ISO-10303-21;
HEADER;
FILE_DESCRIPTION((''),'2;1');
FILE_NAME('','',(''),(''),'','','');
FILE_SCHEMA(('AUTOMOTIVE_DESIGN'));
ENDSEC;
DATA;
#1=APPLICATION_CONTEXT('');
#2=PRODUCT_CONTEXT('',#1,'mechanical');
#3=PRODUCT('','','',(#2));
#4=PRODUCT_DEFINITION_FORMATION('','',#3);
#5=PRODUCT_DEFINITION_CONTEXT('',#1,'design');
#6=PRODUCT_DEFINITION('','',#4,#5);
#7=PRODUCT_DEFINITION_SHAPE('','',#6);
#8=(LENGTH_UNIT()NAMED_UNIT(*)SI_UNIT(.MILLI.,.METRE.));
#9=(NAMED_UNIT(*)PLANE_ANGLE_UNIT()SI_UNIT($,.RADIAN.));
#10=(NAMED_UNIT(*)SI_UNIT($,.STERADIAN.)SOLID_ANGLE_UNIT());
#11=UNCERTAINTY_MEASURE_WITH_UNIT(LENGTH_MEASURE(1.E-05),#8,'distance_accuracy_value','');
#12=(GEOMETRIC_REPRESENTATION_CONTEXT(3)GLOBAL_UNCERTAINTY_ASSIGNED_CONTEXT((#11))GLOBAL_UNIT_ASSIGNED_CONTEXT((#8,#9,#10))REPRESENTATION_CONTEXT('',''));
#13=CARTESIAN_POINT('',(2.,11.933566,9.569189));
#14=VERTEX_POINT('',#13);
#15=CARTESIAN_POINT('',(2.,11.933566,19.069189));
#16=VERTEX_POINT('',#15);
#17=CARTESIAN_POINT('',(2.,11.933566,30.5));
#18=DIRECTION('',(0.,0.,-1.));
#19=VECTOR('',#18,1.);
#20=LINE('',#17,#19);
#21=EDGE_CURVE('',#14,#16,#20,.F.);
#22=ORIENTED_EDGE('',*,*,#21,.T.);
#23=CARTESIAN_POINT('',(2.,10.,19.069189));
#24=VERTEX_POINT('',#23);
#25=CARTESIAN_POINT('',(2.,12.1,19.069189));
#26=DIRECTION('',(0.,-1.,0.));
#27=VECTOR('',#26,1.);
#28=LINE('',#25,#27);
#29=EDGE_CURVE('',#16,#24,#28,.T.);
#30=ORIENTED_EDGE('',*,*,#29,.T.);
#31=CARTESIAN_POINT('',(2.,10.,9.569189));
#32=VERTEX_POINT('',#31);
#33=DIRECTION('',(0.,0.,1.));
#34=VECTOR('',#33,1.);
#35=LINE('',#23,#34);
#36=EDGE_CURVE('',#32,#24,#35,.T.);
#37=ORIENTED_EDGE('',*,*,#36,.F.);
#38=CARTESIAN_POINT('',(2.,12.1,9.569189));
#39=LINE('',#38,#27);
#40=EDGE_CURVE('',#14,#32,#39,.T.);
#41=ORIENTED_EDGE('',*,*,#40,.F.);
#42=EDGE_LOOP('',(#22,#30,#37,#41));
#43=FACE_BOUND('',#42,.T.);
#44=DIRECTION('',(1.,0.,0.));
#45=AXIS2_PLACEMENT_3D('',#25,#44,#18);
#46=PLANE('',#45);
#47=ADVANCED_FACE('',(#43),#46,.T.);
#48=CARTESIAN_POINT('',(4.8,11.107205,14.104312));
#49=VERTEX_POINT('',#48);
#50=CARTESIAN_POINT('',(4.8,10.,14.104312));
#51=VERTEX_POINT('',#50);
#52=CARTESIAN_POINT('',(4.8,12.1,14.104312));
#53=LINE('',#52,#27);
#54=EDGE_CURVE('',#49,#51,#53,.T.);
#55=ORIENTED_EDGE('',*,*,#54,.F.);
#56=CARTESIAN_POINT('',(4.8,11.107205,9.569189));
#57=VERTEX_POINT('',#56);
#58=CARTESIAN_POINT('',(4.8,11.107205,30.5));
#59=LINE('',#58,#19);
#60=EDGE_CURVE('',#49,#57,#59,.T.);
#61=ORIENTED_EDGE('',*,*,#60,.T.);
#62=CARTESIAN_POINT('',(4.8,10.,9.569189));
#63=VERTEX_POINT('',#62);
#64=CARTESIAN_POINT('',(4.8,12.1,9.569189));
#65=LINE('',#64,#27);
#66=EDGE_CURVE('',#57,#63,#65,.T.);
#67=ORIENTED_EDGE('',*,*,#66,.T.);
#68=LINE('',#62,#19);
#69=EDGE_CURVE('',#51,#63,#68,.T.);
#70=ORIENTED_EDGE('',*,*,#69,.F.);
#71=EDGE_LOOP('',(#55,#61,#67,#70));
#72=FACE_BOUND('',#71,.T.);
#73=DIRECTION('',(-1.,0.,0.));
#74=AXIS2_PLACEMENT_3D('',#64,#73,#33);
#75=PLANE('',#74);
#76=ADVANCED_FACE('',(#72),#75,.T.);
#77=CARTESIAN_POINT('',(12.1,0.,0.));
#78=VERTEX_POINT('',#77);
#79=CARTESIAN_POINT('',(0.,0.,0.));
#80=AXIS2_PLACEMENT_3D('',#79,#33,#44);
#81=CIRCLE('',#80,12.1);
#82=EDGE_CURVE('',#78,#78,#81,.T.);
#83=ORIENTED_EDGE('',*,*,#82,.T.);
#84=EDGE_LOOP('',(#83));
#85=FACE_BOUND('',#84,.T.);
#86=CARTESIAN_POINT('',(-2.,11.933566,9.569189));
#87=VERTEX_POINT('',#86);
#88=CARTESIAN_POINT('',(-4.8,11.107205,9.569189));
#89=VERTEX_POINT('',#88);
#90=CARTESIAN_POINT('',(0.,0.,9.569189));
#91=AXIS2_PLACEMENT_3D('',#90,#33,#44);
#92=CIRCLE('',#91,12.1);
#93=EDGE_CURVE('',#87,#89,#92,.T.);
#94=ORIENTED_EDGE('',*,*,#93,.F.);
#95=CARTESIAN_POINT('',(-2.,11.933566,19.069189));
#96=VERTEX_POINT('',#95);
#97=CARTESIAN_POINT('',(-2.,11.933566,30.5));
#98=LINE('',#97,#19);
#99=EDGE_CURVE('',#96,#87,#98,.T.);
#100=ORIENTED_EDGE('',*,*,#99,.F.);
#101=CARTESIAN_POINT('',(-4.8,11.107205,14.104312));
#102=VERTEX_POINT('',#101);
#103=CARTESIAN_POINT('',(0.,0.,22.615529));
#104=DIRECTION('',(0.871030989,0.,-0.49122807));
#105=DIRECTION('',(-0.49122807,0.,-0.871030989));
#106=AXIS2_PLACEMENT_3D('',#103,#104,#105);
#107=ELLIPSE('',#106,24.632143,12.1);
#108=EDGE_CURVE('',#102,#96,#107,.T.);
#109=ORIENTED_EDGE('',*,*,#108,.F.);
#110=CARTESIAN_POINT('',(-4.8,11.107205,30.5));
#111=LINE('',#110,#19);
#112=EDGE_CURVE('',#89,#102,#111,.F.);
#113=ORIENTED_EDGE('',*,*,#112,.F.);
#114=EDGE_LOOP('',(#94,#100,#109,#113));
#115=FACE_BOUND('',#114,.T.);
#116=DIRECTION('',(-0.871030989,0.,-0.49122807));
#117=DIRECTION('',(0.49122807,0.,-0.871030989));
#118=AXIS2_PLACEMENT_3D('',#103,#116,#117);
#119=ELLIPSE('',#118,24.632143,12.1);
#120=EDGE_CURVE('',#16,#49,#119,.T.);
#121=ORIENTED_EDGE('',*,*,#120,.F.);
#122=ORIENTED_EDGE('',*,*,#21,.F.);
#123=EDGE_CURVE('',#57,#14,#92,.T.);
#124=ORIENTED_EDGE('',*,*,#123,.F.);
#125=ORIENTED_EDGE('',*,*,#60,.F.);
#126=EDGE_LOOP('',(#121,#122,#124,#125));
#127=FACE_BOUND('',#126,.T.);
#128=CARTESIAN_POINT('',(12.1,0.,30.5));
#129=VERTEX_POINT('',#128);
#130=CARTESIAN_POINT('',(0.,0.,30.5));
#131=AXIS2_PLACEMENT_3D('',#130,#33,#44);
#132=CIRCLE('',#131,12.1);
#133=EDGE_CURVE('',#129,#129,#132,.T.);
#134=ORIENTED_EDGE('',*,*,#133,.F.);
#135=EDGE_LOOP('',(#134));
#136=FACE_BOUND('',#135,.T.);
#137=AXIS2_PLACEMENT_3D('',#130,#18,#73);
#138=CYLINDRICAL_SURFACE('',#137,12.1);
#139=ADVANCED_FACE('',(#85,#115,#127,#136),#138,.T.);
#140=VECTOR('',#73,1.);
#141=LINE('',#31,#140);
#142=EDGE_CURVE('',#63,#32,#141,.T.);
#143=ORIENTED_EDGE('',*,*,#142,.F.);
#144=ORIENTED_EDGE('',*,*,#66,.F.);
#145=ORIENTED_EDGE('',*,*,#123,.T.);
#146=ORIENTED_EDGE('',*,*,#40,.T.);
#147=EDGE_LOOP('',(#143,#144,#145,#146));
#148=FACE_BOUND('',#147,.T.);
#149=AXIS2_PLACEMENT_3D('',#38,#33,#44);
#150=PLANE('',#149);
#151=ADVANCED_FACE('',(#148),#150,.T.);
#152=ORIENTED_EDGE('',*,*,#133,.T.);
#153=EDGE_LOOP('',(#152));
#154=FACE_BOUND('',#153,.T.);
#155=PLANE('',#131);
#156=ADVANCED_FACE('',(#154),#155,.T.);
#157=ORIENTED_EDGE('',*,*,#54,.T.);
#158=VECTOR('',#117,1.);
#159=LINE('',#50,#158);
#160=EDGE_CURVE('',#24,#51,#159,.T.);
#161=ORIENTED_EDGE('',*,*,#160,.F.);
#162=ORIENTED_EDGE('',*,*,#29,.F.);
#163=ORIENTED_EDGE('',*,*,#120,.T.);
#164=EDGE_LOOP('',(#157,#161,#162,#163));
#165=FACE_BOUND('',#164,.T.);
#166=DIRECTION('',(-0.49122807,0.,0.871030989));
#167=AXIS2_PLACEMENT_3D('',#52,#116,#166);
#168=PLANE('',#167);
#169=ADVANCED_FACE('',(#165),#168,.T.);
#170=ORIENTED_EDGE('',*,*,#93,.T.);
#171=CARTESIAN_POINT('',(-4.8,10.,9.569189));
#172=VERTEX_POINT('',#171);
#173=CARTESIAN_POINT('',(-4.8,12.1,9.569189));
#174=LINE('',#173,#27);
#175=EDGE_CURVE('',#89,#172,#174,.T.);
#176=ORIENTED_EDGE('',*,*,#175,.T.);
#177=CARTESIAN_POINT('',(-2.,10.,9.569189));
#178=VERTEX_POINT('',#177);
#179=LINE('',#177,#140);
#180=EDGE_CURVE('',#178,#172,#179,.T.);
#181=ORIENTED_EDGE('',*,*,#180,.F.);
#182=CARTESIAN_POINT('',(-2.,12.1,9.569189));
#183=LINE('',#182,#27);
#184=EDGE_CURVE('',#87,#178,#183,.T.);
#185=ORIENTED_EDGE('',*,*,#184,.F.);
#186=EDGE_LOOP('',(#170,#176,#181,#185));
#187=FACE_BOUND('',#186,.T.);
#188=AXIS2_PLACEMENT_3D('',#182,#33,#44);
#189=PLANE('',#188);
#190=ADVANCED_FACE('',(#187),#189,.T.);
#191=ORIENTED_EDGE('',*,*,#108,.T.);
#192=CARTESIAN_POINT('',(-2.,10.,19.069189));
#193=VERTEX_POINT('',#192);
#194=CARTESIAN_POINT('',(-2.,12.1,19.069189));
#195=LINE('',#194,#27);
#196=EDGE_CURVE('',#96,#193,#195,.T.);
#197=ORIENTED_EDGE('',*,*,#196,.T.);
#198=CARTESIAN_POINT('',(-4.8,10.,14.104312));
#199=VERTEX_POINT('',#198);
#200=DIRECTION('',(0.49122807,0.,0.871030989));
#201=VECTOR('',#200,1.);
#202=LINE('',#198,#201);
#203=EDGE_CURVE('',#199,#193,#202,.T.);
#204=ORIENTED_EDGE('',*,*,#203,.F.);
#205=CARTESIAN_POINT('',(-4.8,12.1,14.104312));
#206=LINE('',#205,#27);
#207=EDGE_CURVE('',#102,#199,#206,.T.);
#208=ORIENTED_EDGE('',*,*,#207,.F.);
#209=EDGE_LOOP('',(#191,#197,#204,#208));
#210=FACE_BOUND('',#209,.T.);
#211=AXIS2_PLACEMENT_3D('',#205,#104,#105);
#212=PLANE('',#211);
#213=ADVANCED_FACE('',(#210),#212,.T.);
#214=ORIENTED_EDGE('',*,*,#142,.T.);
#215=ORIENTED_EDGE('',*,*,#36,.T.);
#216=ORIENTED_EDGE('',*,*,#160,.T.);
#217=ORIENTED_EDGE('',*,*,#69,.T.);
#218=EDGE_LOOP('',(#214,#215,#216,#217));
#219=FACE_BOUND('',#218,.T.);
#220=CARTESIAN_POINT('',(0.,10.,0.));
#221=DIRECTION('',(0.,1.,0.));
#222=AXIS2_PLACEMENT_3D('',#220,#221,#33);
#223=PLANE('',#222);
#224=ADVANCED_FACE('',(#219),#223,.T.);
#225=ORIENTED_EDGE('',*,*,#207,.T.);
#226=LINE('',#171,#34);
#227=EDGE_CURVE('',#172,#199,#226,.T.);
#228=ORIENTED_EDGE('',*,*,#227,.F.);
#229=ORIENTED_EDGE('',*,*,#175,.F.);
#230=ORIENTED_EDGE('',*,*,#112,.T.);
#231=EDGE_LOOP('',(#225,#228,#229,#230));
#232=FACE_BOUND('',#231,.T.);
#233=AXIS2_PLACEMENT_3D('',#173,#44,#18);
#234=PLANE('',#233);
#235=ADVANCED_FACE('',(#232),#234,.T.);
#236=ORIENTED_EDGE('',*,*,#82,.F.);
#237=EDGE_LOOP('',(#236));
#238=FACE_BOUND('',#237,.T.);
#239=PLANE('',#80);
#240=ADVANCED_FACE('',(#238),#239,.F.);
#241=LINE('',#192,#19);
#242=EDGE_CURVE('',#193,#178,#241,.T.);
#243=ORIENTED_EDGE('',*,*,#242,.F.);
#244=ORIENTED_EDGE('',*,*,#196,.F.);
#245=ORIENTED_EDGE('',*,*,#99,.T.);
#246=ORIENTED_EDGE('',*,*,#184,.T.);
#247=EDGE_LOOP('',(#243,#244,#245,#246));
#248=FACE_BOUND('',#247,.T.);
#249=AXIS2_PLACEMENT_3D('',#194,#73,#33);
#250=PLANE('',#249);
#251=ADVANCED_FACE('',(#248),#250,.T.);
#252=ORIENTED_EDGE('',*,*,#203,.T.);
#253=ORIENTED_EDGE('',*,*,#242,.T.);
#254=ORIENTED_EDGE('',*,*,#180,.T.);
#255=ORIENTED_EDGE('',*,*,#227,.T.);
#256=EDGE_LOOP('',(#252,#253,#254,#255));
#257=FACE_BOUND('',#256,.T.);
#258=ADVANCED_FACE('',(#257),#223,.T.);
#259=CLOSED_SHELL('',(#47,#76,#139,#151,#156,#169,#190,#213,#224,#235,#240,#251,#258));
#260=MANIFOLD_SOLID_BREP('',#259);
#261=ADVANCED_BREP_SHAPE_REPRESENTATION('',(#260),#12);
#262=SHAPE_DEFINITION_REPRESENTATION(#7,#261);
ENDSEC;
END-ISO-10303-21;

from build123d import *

# Parameters (mm, degrees)
SKETCH1_R           = 12.1
BOSS_EXTRUDE1_DEPTH = 30.5
CUT_EXTRUDE1_DEPTH  = 40.56096561


with BuildPart() as part:
    # Sketch1 → Boss-Extrude1 (new body)
    with BuildSketch(Plane.XY):
        with Locations(Location((0, 0, 0), (0, 0, 180))):
            Circle(SKETCH1_R)
    extrude(amount=BOSS_EXTRUDE1_DEPTH)

    # Sketch2 → Cut-Extrude1 (cut, through all)
    with BuildSketch(Plane(origin=(0, 10, 0), x_dir=(1, 0, 0), z_dir=(0, 1, 0))):
        Polygon((-2, -9.569188556), (-4.8, -9.569188556), (-4.8, -14.104311921), (-2, -19.069188556), align=None)
        Polygon((4.8, -14.104311921), (2, -19.069188556), (2, -9.569188556), (4.8, -9.569188556), align=None)
    extrude(amount=CUT_EXTRUDE1_DEPTH, mode=Mode.SUBTRACT)


solid = part.part
